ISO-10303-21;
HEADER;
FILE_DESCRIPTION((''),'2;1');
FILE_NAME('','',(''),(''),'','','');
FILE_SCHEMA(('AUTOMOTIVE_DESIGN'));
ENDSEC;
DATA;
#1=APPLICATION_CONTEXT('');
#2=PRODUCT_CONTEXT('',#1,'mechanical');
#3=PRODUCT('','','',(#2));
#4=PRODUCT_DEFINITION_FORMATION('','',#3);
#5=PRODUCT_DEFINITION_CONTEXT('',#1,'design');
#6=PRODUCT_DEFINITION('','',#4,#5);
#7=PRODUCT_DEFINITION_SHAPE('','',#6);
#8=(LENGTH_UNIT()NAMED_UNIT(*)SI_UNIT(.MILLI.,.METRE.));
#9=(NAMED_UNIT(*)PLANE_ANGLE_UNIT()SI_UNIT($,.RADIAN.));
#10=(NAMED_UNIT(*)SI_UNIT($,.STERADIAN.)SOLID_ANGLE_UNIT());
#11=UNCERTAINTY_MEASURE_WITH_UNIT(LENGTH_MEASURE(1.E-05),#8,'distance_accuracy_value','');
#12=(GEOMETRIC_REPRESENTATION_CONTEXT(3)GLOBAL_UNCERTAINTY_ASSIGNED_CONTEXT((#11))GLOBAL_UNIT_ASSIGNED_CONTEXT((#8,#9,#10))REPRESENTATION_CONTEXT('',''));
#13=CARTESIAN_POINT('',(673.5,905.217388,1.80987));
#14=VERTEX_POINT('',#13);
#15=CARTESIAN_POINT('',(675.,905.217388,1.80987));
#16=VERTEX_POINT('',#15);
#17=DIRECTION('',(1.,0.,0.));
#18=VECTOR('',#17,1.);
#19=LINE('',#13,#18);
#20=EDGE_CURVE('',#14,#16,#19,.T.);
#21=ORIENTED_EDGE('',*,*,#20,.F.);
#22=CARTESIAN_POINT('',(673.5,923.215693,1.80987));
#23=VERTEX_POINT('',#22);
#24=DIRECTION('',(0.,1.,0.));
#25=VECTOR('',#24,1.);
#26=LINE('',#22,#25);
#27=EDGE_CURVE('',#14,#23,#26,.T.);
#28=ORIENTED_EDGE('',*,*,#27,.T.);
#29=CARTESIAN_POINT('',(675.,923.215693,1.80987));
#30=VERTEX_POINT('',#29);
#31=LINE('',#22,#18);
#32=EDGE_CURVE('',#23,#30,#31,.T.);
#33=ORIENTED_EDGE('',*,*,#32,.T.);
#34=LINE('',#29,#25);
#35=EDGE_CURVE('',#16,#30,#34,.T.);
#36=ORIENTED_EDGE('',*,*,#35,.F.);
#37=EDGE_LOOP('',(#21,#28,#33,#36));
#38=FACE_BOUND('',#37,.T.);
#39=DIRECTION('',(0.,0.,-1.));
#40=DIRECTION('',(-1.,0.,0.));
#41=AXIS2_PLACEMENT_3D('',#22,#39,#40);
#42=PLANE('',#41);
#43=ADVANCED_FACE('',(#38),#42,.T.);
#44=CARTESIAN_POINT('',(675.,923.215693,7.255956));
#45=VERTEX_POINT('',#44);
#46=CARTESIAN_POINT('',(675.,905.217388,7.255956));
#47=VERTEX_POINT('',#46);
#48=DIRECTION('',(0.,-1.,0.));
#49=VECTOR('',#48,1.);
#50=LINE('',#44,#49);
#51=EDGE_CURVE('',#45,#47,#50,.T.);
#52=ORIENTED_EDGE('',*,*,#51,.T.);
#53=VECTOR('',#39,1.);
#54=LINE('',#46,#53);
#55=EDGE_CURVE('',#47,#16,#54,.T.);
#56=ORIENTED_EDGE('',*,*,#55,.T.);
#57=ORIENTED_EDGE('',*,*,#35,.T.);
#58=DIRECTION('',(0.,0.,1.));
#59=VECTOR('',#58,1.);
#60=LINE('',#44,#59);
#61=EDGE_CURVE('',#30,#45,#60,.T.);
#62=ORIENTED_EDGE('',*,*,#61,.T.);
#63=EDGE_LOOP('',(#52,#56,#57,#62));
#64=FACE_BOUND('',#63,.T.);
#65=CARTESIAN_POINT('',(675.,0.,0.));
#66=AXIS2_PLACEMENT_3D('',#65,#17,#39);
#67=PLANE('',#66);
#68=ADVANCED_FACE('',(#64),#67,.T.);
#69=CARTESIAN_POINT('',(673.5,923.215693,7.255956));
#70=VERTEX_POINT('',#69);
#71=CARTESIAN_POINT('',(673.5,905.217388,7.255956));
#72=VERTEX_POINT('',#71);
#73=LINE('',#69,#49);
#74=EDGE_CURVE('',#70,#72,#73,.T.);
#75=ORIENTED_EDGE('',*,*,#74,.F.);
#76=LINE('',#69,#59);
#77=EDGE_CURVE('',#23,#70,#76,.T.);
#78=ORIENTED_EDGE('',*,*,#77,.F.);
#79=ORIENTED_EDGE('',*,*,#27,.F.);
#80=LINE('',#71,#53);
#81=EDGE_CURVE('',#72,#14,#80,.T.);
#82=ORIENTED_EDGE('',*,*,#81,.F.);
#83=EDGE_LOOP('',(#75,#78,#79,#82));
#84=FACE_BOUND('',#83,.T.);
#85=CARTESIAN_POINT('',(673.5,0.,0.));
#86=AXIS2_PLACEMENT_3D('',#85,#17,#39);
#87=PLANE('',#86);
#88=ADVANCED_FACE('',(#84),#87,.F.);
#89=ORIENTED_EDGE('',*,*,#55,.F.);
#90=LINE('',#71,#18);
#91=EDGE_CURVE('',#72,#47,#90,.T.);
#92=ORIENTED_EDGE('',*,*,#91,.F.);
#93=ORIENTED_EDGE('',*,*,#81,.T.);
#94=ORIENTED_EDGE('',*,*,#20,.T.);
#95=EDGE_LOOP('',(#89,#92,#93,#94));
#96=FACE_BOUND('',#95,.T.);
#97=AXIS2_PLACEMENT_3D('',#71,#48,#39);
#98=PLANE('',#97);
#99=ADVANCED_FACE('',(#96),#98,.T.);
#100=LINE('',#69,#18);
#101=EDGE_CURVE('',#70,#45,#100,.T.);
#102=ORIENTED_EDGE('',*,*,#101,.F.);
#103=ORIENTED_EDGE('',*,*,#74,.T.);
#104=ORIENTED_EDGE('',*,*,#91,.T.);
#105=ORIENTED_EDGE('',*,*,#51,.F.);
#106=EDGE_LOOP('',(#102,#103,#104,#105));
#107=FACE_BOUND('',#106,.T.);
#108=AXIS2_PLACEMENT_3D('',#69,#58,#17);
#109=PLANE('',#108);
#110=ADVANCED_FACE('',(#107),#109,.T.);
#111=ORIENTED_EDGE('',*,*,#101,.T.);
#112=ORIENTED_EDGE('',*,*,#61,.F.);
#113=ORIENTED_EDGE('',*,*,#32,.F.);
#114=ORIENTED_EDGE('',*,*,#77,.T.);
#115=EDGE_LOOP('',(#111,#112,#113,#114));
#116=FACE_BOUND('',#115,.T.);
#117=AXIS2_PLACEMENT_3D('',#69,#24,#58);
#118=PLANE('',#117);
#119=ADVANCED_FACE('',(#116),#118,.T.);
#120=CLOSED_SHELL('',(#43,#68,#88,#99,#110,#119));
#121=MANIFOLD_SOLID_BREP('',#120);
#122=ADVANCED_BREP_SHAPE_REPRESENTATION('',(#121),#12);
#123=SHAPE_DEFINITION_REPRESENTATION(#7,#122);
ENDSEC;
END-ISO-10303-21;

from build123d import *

# Parameters (mm, degrees)
SKETCH1_W           = 5.446085142
SKETCH1_H           = 17.99830505
BOSS_EXTRUDE1_DEPTH = 1.5


with BuildPart() as part:
    # Sketch1 → Boss-Extrude1 (new body)
    with BuildSketch(Plane(origin=(675, 0, 0), x_dir=(0, 0, -1), z_dir=(1, 0, 0))):
        with Locations((-4.532913038, 914.216540649)):
            Rectangle(SKETCH1_W, SKETCH1_H)
    extrude(amount=-BOSS_EXTRUDE1_DEPTH)


solid = part.part
